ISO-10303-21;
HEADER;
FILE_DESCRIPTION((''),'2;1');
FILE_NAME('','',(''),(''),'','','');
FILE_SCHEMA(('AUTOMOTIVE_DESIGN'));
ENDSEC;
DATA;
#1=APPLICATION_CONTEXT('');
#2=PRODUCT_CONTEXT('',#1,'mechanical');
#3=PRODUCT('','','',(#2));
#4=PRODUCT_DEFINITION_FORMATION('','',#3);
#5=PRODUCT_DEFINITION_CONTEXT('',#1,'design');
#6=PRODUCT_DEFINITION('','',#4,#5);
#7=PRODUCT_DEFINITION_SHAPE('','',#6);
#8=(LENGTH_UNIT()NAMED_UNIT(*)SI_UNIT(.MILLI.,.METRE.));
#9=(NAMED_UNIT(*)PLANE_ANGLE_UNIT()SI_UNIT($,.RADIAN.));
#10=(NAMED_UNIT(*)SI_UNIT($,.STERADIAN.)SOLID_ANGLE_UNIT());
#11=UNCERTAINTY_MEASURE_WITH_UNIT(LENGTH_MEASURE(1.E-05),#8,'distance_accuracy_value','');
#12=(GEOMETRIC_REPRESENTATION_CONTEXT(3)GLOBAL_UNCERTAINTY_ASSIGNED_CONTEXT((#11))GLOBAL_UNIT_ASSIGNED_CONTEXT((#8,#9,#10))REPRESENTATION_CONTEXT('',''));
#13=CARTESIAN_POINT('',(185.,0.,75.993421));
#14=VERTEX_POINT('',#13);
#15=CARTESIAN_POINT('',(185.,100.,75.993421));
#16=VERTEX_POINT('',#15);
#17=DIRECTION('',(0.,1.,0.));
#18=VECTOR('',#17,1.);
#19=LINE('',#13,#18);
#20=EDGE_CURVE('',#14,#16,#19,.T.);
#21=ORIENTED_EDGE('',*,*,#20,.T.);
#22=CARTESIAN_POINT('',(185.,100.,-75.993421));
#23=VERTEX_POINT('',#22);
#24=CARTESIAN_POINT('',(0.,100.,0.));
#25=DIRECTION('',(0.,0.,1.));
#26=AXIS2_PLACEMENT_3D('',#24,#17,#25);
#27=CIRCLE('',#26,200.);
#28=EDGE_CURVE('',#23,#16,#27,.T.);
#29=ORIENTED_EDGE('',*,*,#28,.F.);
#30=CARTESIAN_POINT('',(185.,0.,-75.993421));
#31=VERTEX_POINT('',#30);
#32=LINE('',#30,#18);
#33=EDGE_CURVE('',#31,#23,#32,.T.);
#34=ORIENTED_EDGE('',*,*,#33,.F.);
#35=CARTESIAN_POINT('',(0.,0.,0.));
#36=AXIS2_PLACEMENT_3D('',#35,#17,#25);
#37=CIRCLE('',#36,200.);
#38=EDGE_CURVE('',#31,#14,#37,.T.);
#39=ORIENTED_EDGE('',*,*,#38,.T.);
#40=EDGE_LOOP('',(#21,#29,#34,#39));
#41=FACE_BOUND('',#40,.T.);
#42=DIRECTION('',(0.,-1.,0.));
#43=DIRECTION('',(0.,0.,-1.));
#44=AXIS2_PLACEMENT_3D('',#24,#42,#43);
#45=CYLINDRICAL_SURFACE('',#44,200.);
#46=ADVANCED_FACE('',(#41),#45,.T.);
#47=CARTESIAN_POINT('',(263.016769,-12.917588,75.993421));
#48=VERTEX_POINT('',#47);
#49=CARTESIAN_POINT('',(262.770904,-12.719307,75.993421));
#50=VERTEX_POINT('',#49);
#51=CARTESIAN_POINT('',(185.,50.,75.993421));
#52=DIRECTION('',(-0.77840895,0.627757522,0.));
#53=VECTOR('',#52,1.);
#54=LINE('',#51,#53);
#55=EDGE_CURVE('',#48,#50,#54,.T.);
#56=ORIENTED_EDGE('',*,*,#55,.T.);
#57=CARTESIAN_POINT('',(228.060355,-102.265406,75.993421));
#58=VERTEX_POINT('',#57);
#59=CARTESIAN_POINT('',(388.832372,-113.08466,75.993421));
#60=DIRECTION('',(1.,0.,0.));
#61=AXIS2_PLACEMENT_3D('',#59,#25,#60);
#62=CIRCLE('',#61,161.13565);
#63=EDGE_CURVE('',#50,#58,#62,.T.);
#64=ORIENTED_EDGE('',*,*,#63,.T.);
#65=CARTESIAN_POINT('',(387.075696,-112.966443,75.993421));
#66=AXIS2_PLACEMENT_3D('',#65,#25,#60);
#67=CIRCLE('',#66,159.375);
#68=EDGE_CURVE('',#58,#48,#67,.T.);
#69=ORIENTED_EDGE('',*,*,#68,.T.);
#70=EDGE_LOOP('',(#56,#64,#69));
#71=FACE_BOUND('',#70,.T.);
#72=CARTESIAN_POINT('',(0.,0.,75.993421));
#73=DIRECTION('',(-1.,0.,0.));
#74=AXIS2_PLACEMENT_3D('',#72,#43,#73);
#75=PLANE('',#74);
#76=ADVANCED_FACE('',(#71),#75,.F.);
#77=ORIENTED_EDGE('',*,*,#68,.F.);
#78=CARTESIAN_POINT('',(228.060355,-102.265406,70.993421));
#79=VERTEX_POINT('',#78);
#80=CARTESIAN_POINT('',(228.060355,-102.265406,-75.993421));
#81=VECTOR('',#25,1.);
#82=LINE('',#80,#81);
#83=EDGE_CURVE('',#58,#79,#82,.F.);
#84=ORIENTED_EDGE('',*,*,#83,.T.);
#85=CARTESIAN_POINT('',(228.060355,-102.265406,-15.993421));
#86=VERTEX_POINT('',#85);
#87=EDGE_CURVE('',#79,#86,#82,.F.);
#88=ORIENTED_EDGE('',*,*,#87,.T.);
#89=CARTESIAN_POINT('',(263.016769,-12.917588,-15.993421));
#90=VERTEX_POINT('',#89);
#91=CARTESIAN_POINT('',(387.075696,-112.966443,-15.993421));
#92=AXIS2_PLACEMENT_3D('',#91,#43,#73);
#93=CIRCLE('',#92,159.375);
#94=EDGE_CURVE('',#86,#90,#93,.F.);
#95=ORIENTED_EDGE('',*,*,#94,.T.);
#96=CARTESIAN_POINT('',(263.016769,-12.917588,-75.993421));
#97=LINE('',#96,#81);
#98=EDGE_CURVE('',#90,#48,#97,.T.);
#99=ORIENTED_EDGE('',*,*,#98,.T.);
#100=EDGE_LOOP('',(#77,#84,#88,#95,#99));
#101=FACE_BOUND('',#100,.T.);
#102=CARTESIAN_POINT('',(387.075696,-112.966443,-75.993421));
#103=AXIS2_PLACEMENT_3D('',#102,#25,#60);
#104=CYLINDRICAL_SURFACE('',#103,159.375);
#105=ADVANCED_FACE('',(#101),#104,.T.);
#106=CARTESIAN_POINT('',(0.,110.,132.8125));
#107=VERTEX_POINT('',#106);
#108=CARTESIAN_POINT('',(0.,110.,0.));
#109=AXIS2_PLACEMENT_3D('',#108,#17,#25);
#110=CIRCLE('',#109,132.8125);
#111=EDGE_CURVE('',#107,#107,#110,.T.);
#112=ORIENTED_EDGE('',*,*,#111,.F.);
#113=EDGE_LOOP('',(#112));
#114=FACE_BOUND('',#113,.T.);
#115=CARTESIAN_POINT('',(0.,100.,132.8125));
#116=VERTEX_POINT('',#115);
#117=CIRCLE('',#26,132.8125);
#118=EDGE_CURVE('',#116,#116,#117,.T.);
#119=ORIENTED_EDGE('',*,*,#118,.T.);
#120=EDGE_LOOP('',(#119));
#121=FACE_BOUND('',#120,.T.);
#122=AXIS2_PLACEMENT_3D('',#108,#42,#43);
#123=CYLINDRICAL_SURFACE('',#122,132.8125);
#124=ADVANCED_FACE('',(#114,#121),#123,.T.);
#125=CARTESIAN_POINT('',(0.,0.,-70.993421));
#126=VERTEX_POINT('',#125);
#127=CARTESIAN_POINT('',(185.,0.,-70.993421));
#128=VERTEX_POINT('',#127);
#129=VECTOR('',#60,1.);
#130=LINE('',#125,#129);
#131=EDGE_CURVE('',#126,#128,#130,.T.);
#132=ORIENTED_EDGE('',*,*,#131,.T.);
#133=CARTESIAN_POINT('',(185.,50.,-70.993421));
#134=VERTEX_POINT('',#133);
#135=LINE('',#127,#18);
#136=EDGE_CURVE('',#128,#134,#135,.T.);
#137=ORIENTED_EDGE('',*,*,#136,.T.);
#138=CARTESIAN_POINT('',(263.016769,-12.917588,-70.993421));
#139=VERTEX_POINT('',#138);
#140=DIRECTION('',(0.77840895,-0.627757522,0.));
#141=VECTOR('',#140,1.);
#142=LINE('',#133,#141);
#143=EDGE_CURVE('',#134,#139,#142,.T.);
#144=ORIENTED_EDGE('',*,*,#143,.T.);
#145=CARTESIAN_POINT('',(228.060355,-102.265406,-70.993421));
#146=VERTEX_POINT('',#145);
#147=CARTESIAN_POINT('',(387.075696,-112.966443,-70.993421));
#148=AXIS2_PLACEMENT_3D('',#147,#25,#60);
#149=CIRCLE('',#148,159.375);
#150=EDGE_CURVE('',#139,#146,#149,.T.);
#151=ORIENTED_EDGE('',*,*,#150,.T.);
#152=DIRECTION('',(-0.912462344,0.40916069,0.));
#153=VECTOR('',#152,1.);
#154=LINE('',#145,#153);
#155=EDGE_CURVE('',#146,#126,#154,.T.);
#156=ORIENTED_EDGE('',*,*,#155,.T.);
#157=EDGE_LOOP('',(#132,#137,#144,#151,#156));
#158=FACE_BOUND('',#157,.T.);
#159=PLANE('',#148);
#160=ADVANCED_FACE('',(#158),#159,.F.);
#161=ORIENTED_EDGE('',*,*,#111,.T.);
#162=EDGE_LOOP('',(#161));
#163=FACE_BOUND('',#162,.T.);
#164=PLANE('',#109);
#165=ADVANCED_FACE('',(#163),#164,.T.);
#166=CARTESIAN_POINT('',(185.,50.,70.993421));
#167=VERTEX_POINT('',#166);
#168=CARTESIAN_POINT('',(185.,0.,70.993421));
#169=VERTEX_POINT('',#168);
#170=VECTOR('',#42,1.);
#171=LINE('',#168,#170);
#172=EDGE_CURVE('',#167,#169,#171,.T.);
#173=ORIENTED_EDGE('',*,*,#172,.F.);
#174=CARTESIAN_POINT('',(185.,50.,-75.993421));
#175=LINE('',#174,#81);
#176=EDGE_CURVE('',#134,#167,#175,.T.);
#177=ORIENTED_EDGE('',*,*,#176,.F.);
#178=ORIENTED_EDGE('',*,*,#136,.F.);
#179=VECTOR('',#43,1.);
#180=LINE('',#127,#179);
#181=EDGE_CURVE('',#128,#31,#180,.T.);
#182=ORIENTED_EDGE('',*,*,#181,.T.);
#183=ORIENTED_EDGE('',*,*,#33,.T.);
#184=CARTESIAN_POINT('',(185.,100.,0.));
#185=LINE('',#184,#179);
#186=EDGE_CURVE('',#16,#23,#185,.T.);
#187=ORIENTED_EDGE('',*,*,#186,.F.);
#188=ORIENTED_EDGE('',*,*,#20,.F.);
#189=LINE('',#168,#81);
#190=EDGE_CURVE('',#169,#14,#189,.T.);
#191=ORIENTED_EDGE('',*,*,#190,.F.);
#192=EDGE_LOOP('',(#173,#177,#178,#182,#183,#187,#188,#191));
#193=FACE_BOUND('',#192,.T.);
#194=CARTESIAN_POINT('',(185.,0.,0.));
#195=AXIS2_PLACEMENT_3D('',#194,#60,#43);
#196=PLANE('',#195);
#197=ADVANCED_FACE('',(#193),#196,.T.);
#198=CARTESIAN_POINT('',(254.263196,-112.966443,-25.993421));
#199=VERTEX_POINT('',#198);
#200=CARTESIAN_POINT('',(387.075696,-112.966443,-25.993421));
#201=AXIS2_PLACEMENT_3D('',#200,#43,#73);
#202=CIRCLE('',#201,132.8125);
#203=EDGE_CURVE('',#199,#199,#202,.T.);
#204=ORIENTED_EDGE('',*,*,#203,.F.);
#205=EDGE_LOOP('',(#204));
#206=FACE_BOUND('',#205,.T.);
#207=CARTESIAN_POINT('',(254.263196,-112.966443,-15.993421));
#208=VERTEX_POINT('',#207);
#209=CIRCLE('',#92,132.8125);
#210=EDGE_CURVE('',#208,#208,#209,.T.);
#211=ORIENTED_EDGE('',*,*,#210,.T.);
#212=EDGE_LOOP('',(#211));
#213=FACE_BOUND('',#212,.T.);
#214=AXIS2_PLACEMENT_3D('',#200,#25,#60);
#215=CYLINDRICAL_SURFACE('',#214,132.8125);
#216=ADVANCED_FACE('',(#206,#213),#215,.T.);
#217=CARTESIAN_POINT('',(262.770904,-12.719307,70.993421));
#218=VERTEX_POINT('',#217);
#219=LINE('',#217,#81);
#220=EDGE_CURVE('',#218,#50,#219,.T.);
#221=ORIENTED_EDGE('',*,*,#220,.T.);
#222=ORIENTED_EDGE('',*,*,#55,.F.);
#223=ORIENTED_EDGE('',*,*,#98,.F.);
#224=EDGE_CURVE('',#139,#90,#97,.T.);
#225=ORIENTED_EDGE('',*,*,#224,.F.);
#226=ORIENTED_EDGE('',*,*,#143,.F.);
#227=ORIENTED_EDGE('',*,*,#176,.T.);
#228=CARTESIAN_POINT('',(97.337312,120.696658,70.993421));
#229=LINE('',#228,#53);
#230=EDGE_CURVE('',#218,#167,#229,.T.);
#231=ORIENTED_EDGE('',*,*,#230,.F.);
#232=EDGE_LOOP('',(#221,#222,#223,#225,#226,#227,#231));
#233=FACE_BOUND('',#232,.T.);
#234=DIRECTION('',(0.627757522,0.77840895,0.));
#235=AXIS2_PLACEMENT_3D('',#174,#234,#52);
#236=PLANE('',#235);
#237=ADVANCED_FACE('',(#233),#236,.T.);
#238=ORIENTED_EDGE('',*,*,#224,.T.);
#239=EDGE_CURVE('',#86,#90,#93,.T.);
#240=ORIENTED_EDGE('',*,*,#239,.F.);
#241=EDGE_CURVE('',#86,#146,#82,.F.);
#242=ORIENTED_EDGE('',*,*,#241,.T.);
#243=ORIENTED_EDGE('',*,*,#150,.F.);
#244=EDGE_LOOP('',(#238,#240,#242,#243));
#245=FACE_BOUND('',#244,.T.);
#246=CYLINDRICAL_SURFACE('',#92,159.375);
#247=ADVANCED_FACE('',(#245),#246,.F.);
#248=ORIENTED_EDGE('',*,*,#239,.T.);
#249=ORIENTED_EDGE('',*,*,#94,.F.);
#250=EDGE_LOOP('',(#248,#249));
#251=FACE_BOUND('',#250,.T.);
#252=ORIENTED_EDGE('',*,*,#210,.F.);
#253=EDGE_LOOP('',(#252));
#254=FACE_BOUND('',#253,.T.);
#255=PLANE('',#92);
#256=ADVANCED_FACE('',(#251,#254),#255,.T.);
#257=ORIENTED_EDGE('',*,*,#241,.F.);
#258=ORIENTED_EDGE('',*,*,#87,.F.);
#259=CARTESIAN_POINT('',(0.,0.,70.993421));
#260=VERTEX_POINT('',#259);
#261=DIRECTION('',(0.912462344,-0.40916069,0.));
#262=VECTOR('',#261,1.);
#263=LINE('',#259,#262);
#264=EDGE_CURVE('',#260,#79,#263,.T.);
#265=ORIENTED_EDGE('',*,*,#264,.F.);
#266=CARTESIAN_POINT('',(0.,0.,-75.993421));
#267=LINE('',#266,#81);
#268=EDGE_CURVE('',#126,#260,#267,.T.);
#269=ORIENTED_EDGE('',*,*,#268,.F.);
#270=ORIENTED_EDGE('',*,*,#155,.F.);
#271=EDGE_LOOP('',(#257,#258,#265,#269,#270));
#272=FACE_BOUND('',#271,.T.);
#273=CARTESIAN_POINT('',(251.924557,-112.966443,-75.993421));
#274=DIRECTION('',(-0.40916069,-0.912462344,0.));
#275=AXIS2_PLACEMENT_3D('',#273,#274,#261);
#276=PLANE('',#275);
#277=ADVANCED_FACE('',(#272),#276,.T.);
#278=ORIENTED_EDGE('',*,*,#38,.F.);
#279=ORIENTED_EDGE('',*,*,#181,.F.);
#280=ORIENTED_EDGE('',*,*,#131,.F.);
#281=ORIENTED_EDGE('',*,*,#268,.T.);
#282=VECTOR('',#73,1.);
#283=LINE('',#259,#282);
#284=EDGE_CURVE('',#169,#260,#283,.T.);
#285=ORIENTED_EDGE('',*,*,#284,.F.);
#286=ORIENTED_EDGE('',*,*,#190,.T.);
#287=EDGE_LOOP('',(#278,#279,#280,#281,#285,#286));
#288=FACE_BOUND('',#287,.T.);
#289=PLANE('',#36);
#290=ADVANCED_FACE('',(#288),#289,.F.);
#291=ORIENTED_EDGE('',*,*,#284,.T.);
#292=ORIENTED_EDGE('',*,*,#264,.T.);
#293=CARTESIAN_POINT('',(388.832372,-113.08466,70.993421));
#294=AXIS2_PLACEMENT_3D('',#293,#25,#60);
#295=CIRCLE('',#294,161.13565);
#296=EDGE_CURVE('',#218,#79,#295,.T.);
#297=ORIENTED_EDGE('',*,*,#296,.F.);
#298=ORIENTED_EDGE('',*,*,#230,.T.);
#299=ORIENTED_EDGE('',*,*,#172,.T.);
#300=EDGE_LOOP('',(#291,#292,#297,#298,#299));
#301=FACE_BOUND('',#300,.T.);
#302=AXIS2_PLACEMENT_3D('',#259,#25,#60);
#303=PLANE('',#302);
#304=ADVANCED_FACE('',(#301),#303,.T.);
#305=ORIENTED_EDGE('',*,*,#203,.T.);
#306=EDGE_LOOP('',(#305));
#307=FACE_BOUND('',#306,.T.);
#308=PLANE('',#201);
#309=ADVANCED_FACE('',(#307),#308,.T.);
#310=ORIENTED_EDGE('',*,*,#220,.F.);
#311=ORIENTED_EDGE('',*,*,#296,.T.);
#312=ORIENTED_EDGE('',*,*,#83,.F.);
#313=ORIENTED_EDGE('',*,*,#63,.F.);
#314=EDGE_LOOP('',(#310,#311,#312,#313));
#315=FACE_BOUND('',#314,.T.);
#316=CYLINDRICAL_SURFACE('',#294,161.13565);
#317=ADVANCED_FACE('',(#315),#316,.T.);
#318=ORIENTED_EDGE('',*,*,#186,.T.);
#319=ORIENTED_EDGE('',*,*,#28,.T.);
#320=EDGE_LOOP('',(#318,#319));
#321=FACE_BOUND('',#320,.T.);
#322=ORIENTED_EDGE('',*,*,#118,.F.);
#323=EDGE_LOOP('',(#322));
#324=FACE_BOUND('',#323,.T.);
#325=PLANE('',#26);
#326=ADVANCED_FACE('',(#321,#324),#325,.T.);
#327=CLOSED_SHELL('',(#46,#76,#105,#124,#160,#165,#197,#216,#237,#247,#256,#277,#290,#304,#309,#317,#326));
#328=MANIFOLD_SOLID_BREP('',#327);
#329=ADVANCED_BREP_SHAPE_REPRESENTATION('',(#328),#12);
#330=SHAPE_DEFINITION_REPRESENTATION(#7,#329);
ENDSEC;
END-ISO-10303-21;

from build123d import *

# Parameters (mm, degrees)
SKETCH1_R           = 200
BOSS_EXTRUDE1_DEPTH = 100
CUT_EXTRUDE2_DEPTH  = 100
BOSS_EXTRUDE2_DEPTH = 75.993421
BOSS_EXTRUDE3_DEPTH = 75.993421
SKETCH9_R           = 159.375
BOSS_EXTRUDE4_DEPTH = 151.986842
CUT_EXTRUDE3_START  = -60
SKETCH11_R          = 159.375
CUT_EXTRUDE3_DEPTH  = 60
CUT_EXTRUDE4_DEPTH  = 5
CUT_EXTRUDE5_DEPTH  = 5
SKETCH15_R          = 132.8125
BOSS_EXTRUDE5_DEPTH = 10
SKETCH16_R          = 132.8125
BOSS_EXTRUDE6_DEPTH = 10


with BuildPart() as part:
    # Sketch1 → Boss-Extrude1 (new body)
    with BuildSketch(Plane(origin=(0, 0, 0), x_dir=(1, 0, 0), z_dir=(0, 1, 0))):
        with Locations(Location((0, 0, 0), (0, 0, 270))):
            Circle(SKETCH1_R)
    extrude(amount=BOSS_EXTRUDE1_DEPTH)

    # Sketch2 → Cut-Extrude2 (cut)
    with BuildSketch(Plane(origin=(0, 100, 0), x_dir=(1, 0, 0), z_dir=(0, 1, 0))):
        Polygon((185, 0), (185, 120.642549135), (200, 120.642549135), (200, 0), (200, -137.849885779), (185, -137.849885779), align=None)
    extrude(amount=-CUT_EXTRUDE2_DEPTH, mode=Mode.SUBTRACT)

    # Sketch4 → Boss-Extrude2 (add)
    with BuildSketch(Plane.XY):
        Polygon((185, 50), (185, 0), (0, 0), (251.924557131, -112.966443103), (387.075695624, -112.966443103), align=None)
    extrude(amount=-BOSS_EXTRUDE2_DEPTH)

    # Sketch7 → Boss-Extrude3 (add)
    with BuildSketch(Plane.XY):
        Polygon((0, 0), (185, 0), (185, 50), (387.075695624, -112.966443103), (251.924557131, -112.966443103), align=None)
    extrude(amount=BOSS_EXTRUDE3_DEPTH)

    # Sketch9 → Boss-Extrude4 (add)
    with BuildSketch(Plane.XY.offset(75.993420768)):
        with Locations((387.075695624, -112.966443103)):
            Circle(SKETCH9_R)
    extrude(amount=-BOSS_EXTRUDE4_DEPTH)

    # Sketch11 → Cut-Extrude3 (cut)
    with BuildSketch(Plane(origin=(0, 0, -75.993420768), x_dir=(-1, 0, 0), z_dir=(0, 0, -1)).offset(CUT_EXTRUDE3_START)):
        with Locations((-387.075695624, -112.966443103)):
            Circle(SKETCH11_R)
    extrude(amount=CUT_EXTRUDE3_DEPTH, mode=Mode.SUBTRACT)


with BuildPart() as cut_extrude3_kept_piece:
    # of the separate pieces the step leaves, the one the design keeps (cut_extrude3_pieces_kept)
    add(part.part.solids().sort_by_distance((185, 0, -75.993420884))[0])

    # Sketch12 → Cut-Extrude4 (cut)
    with BuildSketch(Plane.XY.offset(75.993420768)):
        with BuildLine():
            Line((185, 0), (0, 0))
            Line((0, 0), (228.060355378, -102.265406172))
            ThreePointArc((228.060355378, -102.265406172), (238.589276077, -54.846272892), (262.770904395, -12.719307371))
            Line((262.770904395, -12.719307371), (185, 50))
            Line((185, 50), (185, 0))
        make_face()
    extrude(amount=-CUT_EXTRUDE4_DEPTH, mode=Mode.SUBTRACT)

    # Sketch14 → Cut-Extrude5 (cut)
    with BuildSketch(Plane(origin=(0, 0, -75.993420768), x_dir=(-1, 0, 0), z_dir=(0, 0, -1))):
        with BuildLine():
            Line((-228.060355378, -102.265406172), (0, 0))
            Line((0, 0), (-185, 0))
            Line((-185, 0), (-185, 50))
            Line((-185, 50), (-263.016769179, -12.917588066))
            ThreePointArc((-263.016769179, -12.917588066), (-238.655621962, -54.898617596), (-228.060355378, -102.265406172))
        make_face()
    extrude(amount=-CUT_EXTRUDE5_DEPTH, mode=Mode.SUBTRACT)

    # Sketch15 → Boss-Extrude5 (add)
    with BuildSketch(Plane(origin=(0, 0, -15.993420768), x_dir=(-1, 0, 0), z_dir=(0, 0, -1))):
        with Locations((-387.075695624, -112.966443103)):
            Circle(SKETCH15_R)
    extrude(amount=BOSS_EXTRUDE5_DEPTH)

    # Sketch16 → Boss-Extrude6 (add)
    with BuildSketch(Plane(origin=(0, 100, 0), x_dir=(1, 0, 0), z_dir=(0, 1, 0))):
        with Locations(Location((0, 0, 0), (0, 0, 270))):
            Circle(SKETCH16_R)
    extrude(amount=BOSS_EXTRUDE6_DEPTH)


solid = cut_extrude3_kept_piece.part
